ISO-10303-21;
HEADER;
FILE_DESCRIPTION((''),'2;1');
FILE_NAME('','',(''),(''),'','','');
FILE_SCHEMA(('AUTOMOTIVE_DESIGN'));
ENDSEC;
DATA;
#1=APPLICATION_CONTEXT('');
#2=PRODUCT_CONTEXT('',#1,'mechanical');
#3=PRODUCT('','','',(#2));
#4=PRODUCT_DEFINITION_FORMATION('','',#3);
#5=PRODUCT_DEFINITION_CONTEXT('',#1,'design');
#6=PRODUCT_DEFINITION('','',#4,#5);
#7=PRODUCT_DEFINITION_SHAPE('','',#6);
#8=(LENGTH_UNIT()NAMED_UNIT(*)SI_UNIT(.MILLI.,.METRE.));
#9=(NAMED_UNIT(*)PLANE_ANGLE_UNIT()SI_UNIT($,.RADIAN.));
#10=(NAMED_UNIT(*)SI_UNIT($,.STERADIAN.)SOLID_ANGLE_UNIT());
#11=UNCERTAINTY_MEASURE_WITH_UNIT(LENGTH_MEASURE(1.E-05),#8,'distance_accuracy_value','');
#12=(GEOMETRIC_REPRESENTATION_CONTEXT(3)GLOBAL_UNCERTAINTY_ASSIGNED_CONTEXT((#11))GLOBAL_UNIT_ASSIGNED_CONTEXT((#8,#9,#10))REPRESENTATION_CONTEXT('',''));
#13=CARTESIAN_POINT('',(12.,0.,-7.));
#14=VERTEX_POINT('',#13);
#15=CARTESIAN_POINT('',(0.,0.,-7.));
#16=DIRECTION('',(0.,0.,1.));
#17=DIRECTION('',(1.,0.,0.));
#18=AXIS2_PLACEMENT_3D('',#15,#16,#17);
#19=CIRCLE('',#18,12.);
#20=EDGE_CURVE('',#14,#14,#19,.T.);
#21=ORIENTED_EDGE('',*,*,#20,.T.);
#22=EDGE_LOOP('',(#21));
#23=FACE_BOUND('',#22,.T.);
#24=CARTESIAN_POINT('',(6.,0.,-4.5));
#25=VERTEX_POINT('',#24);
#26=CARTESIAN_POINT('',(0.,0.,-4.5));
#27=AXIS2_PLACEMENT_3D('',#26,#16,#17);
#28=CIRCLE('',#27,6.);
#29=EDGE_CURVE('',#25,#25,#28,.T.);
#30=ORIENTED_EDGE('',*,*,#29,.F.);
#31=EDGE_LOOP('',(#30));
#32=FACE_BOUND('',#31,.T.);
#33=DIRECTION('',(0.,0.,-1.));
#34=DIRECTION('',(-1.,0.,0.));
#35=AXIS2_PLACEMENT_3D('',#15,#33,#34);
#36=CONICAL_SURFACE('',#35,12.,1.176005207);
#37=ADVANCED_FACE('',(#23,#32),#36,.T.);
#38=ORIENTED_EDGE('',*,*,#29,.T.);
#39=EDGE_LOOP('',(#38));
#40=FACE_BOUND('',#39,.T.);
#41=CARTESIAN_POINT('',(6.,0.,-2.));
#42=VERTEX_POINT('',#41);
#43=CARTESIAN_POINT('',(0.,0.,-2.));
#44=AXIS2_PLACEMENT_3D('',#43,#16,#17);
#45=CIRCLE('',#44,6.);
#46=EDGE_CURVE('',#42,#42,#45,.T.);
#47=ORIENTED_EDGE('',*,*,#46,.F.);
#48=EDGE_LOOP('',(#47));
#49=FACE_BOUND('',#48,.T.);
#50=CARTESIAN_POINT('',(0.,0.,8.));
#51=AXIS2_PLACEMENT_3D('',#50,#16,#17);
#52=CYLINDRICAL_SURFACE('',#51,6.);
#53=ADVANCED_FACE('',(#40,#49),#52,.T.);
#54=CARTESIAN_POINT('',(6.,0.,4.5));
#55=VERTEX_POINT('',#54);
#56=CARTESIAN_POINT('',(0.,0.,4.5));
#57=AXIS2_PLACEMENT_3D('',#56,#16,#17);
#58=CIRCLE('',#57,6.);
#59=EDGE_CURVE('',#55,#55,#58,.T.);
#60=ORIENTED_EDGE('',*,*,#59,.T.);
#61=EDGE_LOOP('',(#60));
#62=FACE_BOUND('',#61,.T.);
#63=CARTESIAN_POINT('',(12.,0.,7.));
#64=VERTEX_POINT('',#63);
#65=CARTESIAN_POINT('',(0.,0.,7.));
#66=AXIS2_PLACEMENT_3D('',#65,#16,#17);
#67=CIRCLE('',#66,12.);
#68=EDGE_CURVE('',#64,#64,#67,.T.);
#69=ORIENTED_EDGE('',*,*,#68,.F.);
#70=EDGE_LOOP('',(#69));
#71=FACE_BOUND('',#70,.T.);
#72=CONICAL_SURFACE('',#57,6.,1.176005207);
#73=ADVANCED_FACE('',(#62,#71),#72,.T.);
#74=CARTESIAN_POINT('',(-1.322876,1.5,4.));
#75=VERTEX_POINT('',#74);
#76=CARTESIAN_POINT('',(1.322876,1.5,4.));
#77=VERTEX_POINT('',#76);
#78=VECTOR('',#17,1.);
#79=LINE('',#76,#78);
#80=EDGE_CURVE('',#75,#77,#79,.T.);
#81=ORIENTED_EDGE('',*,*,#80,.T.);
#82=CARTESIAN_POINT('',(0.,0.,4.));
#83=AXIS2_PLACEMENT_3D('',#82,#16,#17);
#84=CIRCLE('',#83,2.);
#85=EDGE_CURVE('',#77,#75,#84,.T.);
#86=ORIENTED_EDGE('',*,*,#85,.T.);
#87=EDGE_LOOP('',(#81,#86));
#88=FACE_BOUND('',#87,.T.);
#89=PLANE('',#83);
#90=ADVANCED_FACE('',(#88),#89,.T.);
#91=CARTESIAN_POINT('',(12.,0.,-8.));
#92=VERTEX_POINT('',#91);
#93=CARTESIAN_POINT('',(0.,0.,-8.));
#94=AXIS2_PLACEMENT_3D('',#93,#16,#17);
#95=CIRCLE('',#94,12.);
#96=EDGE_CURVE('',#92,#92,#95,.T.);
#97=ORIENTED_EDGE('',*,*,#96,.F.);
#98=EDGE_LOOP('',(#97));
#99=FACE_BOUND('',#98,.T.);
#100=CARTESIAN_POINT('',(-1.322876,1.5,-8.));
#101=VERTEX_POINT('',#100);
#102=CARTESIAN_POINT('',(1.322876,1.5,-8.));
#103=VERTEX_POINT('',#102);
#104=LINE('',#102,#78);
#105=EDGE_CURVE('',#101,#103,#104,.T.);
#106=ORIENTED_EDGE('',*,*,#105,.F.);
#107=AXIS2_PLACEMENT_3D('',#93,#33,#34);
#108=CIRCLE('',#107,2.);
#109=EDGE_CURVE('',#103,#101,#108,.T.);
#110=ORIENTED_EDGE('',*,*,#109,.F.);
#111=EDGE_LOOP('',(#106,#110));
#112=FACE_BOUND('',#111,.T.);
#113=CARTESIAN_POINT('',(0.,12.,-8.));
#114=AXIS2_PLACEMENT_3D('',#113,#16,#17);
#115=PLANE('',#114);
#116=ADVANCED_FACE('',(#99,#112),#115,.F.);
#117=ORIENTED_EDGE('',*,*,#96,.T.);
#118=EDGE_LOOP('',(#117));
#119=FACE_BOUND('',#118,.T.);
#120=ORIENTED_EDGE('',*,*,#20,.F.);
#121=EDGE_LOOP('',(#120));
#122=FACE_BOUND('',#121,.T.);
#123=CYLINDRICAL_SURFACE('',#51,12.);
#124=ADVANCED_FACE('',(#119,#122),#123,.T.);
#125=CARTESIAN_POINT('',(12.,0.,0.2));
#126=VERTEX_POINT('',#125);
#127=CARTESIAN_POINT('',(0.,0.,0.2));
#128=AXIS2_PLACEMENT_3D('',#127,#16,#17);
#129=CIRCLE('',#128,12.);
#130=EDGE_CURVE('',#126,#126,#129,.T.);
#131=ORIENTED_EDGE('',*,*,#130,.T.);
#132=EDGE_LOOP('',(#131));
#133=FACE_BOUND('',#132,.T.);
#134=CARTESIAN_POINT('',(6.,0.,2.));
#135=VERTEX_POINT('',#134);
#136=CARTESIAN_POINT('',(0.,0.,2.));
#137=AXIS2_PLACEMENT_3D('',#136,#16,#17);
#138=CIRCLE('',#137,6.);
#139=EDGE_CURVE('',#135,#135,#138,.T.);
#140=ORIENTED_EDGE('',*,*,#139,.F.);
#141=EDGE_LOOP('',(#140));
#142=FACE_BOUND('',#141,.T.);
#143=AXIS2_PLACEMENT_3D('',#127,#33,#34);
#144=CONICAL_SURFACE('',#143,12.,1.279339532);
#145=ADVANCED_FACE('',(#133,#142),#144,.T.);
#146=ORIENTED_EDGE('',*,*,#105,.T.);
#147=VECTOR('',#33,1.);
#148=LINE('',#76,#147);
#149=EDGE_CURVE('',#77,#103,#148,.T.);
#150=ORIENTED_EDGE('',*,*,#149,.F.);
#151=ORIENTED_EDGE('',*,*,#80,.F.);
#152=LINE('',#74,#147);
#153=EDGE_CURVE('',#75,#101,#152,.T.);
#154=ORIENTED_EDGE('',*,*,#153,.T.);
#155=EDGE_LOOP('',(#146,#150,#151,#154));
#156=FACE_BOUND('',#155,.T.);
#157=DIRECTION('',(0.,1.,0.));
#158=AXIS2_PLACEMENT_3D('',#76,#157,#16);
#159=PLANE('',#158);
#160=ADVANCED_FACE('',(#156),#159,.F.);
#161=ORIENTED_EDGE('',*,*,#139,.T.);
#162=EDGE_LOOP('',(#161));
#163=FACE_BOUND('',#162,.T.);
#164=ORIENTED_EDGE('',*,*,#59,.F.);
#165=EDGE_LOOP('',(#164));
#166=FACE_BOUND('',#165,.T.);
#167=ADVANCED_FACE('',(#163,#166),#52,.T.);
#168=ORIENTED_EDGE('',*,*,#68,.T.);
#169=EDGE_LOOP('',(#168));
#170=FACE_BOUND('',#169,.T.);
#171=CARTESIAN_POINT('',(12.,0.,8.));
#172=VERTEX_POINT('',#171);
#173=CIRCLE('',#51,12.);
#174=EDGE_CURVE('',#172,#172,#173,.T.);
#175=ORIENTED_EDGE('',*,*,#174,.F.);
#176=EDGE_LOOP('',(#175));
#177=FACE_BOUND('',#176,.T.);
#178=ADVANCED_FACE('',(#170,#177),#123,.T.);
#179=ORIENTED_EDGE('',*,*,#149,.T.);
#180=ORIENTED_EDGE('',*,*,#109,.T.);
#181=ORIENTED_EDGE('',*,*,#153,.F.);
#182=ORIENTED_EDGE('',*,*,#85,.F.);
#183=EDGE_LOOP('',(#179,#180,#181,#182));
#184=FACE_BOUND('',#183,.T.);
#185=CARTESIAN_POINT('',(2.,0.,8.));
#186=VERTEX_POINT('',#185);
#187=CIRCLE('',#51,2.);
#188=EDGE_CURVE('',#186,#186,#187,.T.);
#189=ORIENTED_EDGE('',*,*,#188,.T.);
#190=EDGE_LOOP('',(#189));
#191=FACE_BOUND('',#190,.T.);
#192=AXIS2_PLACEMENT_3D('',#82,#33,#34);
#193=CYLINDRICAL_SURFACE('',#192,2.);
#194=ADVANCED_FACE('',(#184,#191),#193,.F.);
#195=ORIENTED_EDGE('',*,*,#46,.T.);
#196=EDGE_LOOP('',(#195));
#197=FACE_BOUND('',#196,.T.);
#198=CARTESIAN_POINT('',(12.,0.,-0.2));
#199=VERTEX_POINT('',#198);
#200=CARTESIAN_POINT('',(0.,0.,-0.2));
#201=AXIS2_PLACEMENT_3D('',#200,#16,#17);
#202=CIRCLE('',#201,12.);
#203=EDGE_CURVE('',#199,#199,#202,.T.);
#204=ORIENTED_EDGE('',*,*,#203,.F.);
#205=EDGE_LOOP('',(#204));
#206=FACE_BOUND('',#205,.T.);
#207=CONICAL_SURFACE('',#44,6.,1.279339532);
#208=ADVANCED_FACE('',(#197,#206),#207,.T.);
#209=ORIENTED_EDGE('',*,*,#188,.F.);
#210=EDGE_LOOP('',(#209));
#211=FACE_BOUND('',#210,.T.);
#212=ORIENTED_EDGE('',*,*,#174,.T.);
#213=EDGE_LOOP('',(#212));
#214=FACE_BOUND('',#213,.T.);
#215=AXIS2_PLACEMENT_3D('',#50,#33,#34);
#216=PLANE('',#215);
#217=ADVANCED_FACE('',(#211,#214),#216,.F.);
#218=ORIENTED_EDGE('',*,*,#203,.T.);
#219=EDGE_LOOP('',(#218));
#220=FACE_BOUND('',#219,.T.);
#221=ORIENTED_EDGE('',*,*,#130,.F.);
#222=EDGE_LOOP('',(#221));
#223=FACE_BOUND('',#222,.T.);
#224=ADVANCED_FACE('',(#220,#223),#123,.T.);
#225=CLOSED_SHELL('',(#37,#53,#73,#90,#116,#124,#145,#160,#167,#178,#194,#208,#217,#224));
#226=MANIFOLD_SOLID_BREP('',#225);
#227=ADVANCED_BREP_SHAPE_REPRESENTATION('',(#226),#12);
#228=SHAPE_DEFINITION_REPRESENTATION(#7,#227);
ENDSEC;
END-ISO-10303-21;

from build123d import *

# Parameters (mm, degrees)
CUT_EXTRUDE1_DEPTH = 12
CUT_EXTRUDE2_START = -4
SKETCH4_R          = 2
CUT_EXTRUDE2_DEPTH = 4


with BuildPart() as part:
    # Sketch1 → Revolve1 (revolve)
    with BuildSketch(Plane(origin=(0, 0, 0), x_dir=(0, 0, -1), z_dir=(1, 0, 0)), mode=Mode.PRIVATE) as revolve1_sk:
        Polygon((-8, 0), (8, 0), (8, 12), (7, 12), (4.5, 6), (2, 6), (0.2, 12), (-0.2, 12), (-2, 6), (-4.5, 6), (-7, 12), (-8, 12), align=None)
    revolve(revolve1_sk.sketch.rotate(Axis((0, 0, 8), (0, 0, -1)), 90), axis=Axis((0, 0, 8), (0, 0, -1)))

    # Sketch3 → Cut-Extrude1 (cut)
    with BuildSketch(Plane(origin=(0, 0, -8), x_dir=(-1, 0, 0), z_dir=(0, 0, -1))):
        with BuildLine():
            Line((-1.322875656, 1.5), (1.322875656, 1.5))
            ThreePointArc((1.322875656, 1.5), (0, -2), (-1.322875656, 1.5))
        make_face()
    extrude(amount=-CUT_EXTRUDE1_DEPTH, mode=Mode.SUBTRACT)

    # Sketch4 → Cut-Extrude2 (cut)
    with BuildSketch(Plane.XY.offset(8).offset(CUT_EXTRUDE2_START)):
        with Locations(Location((0, 0, 0), (0, 0, 131.409622109))):
            Circle(SKETCH4_R)
    extrude(amount=CUT_EXTRUDE2_DEPTH, mode=Mode.SUBTRACT)


solid = part.part
